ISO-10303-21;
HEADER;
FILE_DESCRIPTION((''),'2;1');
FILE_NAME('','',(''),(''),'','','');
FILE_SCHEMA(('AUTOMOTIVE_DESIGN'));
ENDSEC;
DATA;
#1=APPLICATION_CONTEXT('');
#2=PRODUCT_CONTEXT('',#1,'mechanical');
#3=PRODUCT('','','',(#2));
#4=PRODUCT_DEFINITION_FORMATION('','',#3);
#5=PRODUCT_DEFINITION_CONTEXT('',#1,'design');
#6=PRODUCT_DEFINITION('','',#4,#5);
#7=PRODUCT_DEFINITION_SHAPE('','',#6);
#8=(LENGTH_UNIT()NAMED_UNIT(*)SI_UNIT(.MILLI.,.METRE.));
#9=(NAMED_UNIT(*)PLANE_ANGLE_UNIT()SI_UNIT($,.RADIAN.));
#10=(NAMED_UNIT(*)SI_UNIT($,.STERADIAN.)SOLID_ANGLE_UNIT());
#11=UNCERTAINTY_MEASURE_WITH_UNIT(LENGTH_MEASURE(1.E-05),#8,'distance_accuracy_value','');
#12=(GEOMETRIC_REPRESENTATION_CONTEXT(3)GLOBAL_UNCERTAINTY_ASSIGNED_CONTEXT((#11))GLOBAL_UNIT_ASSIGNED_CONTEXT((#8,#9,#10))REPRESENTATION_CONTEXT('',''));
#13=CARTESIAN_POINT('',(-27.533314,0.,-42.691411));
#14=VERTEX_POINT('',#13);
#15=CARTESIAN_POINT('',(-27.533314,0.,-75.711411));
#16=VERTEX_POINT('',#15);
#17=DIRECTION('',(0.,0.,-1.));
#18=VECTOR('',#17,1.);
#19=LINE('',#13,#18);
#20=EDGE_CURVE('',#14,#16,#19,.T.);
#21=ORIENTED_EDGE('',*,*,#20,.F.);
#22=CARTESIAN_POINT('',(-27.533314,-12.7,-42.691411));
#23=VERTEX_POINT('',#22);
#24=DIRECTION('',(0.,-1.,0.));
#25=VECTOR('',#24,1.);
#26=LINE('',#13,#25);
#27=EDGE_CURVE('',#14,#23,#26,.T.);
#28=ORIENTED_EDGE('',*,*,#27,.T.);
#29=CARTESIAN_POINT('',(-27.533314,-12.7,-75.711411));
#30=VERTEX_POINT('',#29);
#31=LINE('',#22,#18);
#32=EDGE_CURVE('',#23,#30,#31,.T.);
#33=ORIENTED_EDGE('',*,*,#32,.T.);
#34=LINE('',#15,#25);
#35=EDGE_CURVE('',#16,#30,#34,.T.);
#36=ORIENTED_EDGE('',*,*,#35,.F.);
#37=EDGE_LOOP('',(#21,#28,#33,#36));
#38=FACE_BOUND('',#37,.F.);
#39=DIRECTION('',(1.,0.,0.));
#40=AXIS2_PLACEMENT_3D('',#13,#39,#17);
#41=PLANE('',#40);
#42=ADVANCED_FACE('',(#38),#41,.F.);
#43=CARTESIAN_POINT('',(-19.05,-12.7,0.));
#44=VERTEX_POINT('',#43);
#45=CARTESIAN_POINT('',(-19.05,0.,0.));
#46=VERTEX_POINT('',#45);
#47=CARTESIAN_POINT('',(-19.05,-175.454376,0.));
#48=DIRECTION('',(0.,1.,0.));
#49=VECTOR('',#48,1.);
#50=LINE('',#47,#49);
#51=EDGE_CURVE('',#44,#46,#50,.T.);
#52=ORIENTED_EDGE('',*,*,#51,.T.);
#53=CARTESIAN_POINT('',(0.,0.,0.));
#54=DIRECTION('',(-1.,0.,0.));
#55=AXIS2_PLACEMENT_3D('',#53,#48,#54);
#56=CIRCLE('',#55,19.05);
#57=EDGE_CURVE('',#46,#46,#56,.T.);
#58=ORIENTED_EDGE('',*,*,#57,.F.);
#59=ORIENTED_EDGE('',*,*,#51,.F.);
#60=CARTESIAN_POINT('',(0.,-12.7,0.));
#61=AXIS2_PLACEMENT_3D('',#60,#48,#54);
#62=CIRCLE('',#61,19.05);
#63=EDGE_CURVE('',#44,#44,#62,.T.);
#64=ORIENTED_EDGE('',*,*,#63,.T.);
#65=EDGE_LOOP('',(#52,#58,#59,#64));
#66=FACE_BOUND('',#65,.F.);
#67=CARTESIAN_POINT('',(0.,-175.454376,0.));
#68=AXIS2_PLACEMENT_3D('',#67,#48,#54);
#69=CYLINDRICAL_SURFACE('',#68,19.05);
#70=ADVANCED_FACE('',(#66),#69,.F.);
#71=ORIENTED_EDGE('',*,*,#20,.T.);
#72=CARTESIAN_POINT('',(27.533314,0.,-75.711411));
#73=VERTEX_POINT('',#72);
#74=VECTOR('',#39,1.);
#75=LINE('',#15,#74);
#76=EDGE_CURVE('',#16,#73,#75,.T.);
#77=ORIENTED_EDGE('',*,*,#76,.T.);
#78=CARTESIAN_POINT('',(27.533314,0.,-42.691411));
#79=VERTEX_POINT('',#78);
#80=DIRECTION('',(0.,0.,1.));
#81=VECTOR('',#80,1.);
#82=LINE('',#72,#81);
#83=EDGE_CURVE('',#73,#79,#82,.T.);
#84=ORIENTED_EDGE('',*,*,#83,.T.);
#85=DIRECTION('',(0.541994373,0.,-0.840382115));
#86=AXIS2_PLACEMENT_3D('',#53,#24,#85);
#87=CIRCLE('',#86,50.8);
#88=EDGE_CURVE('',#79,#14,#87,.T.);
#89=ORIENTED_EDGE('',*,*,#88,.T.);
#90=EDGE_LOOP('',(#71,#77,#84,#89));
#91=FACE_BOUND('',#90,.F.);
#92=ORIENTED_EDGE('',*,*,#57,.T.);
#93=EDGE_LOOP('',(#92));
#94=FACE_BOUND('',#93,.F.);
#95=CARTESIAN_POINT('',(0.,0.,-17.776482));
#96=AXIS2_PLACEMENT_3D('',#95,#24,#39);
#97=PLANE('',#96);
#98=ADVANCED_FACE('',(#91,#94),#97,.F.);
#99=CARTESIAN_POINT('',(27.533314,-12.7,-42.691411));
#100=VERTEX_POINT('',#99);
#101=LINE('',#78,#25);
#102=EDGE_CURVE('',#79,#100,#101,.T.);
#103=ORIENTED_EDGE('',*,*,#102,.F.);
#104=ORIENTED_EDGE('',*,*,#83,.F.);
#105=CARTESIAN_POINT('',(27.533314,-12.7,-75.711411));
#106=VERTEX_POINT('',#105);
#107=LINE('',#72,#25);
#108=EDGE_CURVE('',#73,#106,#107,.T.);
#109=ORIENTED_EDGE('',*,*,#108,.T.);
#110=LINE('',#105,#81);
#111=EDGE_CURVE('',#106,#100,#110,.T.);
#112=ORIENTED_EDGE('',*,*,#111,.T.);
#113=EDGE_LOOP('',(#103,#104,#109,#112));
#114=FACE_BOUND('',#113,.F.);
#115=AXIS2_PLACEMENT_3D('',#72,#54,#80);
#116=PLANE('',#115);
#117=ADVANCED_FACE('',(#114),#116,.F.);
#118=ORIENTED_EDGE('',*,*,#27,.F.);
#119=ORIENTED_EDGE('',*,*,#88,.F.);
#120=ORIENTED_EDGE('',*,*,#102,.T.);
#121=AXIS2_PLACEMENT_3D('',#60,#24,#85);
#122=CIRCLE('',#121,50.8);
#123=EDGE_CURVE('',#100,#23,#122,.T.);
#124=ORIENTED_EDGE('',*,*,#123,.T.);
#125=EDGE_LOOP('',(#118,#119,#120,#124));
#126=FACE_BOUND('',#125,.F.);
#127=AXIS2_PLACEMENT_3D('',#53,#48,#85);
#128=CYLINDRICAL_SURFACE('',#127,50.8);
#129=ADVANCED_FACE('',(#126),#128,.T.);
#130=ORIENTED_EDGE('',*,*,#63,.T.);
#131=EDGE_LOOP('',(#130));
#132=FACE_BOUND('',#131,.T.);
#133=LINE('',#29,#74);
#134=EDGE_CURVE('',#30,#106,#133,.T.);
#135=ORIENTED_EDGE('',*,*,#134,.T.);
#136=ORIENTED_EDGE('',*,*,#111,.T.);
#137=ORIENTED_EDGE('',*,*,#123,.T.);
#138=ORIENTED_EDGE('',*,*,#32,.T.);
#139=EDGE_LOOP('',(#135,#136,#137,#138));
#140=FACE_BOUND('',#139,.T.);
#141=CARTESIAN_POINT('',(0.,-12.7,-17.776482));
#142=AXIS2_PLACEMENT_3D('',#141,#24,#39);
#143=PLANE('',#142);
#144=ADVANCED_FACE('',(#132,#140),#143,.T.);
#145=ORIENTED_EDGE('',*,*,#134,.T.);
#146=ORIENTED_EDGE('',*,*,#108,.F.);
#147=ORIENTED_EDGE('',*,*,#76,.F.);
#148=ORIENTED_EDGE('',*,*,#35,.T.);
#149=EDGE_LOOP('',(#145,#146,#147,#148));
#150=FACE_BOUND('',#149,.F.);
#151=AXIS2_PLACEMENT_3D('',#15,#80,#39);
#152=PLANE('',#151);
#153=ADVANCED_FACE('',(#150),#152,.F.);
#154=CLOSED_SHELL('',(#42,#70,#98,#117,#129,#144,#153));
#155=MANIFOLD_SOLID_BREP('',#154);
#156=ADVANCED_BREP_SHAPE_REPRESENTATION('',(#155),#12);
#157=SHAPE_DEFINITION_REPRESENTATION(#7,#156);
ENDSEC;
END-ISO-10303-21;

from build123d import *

# Parameters (mm, degrees)
F1_DEPTH = 12.7
F3_D     = 38.1


with BuildPart() as f1:
    # F0 (on Front) → F1 (new body)
    with BuildSketch(Plane.XZ):
        with BuildLine():
            Line((27.533314, -75.711411), (27.533314, -42.691411))
            ThreePointArc((27.533314, -42.691411), (0, 50.8), (-27.533314, -42.691411))
            Line((-27.533314, -42.691411), (-27.533314, -75.711411))
            Line((-27.533314, -75.711411), (27.533314, -75.711411))
        make_face()
    extrude(amount=F1_DEPTH)

    # F3 (through all)
    with Locations(Plane.XZ.offset(12.7)):
        with Locations((0, 0)):
            Hole(F3_D / 2)


solid = f1.part
